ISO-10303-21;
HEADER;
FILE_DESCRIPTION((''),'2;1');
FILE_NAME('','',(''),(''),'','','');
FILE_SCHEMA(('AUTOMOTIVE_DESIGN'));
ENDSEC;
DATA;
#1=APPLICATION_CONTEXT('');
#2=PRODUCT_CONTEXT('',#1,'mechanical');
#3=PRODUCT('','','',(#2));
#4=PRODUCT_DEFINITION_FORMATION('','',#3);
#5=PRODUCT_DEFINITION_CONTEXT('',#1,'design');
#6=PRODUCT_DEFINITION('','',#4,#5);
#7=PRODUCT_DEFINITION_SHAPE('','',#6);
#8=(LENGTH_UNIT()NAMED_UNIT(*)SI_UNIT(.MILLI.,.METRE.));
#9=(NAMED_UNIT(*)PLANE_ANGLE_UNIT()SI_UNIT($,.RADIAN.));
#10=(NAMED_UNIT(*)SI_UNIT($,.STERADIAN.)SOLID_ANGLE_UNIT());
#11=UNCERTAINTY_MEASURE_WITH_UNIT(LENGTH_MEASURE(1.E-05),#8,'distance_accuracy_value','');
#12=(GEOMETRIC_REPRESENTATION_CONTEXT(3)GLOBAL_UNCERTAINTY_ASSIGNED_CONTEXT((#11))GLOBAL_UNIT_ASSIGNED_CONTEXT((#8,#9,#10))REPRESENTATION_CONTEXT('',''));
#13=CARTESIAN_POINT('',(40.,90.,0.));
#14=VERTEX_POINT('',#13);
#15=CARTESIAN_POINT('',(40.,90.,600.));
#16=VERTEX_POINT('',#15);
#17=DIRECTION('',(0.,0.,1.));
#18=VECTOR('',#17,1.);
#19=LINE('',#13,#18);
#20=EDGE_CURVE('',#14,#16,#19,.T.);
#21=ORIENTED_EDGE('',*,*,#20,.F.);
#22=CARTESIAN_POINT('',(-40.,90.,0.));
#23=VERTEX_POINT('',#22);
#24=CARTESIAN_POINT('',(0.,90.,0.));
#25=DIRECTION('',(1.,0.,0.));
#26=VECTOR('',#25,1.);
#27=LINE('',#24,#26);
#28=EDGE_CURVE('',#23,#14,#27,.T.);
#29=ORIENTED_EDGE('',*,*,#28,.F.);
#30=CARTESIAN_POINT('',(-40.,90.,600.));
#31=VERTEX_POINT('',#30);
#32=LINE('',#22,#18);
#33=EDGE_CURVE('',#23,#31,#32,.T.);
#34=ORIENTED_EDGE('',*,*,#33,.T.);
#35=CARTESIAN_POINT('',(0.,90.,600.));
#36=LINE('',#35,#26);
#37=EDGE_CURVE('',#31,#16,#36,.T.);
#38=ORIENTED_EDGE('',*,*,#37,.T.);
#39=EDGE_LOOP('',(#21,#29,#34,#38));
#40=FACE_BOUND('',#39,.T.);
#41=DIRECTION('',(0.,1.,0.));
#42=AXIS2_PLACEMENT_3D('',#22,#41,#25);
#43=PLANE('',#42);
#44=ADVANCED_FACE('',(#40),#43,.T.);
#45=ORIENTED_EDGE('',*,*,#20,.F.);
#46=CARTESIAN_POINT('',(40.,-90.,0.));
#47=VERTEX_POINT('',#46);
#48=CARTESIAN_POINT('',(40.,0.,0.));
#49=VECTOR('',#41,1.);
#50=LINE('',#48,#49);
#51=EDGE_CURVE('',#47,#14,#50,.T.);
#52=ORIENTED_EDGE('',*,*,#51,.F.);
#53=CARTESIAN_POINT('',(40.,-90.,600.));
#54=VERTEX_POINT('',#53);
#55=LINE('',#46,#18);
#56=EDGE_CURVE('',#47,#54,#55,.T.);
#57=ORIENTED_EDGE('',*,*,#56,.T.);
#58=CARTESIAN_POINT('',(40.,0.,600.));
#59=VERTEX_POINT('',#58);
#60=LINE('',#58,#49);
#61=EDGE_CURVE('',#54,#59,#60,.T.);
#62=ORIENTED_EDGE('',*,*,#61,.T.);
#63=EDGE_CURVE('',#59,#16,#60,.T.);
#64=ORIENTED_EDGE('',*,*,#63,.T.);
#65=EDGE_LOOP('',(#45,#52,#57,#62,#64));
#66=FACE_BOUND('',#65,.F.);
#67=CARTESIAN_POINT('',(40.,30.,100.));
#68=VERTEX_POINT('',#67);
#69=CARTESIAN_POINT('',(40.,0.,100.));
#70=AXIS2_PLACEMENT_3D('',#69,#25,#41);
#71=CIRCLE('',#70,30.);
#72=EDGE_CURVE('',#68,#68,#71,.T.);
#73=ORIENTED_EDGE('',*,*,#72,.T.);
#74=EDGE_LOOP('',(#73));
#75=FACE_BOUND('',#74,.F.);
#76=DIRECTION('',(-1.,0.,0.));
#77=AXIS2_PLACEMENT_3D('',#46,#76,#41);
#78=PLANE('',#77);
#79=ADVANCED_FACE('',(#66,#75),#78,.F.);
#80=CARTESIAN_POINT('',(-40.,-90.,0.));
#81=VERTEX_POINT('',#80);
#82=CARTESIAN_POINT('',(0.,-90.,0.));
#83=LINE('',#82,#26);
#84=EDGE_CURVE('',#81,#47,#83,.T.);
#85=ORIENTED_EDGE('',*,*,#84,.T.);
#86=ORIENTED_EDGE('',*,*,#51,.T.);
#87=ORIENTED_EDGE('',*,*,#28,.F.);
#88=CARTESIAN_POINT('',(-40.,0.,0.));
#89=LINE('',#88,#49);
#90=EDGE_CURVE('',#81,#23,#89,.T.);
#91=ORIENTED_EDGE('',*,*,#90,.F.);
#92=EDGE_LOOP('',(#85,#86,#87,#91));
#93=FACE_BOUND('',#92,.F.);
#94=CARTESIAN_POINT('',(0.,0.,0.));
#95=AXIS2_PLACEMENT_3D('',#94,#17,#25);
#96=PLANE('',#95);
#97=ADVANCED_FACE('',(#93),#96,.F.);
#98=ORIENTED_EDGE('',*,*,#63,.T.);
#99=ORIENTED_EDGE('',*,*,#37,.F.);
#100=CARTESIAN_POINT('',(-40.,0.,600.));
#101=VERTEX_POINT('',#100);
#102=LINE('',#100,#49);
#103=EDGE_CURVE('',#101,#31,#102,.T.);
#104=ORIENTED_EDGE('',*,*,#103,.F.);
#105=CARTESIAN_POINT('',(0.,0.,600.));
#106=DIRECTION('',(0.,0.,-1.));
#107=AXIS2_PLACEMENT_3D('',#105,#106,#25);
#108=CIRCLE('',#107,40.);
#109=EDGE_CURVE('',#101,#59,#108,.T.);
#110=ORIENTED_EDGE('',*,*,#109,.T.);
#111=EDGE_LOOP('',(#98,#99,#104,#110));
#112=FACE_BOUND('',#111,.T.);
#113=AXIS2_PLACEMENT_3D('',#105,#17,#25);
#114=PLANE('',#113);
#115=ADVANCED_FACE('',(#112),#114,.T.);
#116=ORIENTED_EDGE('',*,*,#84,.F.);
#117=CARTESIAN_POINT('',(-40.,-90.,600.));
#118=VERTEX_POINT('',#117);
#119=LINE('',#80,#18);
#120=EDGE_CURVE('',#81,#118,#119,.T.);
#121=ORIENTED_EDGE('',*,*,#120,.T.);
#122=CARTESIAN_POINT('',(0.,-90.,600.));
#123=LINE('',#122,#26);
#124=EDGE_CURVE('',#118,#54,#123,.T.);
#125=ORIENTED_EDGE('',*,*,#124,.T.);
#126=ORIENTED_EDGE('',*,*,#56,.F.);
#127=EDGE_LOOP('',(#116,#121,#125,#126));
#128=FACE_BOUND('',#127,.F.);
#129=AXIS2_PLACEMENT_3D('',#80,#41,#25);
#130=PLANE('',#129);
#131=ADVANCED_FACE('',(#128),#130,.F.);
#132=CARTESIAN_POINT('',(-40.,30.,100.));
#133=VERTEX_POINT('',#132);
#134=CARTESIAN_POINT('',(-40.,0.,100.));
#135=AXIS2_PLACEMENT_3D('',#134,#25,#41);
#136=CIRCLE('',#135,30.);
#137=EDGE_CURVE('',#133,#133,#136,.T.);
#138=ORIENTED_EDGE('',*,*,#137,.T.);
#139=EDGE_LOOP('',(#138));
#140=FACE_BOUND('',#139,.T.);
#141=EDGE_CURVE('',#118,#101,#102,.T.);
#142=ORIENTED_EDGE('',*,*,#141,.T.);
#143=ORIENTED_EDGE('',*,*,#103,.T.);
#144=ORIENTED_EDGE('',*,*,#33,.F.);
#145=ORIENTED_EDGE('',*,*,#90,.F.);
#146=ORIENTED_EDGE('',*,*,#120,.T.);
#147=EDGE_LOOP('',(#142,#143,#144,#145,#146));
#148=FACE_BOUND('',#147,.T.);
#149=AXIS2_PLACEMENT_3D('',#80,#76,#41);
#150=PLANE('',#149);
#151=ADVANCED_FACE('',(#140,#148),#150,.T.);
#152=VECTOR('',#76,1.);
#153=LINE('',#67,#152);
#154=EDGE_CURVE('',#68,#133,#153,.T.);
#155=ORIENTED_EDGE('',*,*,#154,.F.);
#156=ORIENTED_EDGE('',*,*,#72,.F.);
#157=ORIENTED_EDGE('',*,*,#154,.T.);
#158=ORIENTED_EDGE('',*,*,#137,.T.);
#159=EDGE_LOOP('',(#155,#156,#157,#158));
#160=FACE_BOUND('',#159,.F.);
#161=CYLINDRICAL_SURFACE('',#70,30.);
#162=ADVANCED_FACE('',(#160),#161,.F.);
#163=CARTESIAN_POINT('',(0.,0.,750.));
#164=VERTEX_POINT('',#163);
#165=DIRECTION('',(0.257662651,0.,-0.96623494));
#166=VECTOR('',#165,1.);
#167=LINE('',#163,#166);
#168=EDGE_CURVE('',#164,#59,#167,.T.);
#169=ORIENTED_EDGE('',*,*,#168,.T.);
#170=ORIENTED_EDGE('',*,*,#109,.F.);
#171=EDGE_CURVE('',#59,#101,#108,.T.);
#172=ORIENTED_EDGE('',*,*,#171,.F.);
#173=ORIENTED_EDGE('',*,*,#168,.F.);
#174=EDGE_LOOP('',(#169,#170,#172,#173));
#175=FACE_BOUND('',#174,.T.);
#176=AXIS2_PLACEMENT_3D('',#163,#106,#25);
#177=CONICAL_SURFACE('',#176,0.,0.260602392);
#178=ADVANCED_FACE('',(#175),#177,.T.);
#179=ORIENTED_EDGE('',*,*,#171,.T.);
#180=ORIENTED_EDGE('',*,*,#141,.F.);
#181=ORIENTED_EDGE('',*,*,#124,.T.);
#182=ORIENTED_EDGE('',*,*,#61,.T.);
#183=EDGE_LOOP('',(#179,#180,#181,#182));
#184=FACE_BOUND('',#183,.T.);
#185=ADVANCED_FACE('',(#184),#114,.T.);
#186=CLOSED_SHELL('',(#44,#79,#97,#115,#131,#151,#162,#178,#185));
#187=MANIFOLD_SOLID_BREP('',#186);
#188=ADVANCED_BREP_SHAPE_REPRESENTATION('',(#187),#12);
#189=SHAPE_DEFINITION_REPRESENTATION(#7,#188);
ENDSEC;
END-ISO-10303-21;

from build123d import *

# Parameters (mm, degrees)
SKETCH_W    = 80
SKETCH_H    = 180
PAD_DEPTH   = 600
SKETCH001_R = 30
HOLE_DEPTH  = 80
HOLE_TIPS_R = 30


with BuildPart() as part:
    # Sketch → Pad (new body)
    with BuildSketch(Plane.XY):
        Rectangle(SKETCH_W, SKETCH_H)
    extrude(amount=PAD_DEPTH)

    # Sketch001 (on Face3 of Pad) → Hole (cut)
    with BuildSketch(Plane.YZ.offset(40)):
        with Locations((0, 100)):
            Circle(SKETCH001_R)
    extrude(amount=-HOLE_DEPTH, mode=Mode.SUBTRACT)

    # Hole tips → Hole tip 1 section 0
    with BuildSketch(Plane.YZ.offset(-40), mode=Mode.PRIVATE) as hole_tip_1_s0:
        with Locations((0, 100)):
            Circle(HOLE_TIPS_R)
    loft([hole_tip_1_s0.sketch, Vertex(-58.025819, 0, 100)], mode=Mode.SUBTRACT)

    # Cone → Cone (revolve)
    with BuildSketch(Plane(origin=(0, 0, 750), x_dir=(1, 0, 0), z_dir=(0, 1, 0))):
        Polygon((0, 0), (40, 150), (0, 150), align=None)
    revolve(axis=Axis((0, 0, 750), (0, 0, -1)))


solid = part.part
